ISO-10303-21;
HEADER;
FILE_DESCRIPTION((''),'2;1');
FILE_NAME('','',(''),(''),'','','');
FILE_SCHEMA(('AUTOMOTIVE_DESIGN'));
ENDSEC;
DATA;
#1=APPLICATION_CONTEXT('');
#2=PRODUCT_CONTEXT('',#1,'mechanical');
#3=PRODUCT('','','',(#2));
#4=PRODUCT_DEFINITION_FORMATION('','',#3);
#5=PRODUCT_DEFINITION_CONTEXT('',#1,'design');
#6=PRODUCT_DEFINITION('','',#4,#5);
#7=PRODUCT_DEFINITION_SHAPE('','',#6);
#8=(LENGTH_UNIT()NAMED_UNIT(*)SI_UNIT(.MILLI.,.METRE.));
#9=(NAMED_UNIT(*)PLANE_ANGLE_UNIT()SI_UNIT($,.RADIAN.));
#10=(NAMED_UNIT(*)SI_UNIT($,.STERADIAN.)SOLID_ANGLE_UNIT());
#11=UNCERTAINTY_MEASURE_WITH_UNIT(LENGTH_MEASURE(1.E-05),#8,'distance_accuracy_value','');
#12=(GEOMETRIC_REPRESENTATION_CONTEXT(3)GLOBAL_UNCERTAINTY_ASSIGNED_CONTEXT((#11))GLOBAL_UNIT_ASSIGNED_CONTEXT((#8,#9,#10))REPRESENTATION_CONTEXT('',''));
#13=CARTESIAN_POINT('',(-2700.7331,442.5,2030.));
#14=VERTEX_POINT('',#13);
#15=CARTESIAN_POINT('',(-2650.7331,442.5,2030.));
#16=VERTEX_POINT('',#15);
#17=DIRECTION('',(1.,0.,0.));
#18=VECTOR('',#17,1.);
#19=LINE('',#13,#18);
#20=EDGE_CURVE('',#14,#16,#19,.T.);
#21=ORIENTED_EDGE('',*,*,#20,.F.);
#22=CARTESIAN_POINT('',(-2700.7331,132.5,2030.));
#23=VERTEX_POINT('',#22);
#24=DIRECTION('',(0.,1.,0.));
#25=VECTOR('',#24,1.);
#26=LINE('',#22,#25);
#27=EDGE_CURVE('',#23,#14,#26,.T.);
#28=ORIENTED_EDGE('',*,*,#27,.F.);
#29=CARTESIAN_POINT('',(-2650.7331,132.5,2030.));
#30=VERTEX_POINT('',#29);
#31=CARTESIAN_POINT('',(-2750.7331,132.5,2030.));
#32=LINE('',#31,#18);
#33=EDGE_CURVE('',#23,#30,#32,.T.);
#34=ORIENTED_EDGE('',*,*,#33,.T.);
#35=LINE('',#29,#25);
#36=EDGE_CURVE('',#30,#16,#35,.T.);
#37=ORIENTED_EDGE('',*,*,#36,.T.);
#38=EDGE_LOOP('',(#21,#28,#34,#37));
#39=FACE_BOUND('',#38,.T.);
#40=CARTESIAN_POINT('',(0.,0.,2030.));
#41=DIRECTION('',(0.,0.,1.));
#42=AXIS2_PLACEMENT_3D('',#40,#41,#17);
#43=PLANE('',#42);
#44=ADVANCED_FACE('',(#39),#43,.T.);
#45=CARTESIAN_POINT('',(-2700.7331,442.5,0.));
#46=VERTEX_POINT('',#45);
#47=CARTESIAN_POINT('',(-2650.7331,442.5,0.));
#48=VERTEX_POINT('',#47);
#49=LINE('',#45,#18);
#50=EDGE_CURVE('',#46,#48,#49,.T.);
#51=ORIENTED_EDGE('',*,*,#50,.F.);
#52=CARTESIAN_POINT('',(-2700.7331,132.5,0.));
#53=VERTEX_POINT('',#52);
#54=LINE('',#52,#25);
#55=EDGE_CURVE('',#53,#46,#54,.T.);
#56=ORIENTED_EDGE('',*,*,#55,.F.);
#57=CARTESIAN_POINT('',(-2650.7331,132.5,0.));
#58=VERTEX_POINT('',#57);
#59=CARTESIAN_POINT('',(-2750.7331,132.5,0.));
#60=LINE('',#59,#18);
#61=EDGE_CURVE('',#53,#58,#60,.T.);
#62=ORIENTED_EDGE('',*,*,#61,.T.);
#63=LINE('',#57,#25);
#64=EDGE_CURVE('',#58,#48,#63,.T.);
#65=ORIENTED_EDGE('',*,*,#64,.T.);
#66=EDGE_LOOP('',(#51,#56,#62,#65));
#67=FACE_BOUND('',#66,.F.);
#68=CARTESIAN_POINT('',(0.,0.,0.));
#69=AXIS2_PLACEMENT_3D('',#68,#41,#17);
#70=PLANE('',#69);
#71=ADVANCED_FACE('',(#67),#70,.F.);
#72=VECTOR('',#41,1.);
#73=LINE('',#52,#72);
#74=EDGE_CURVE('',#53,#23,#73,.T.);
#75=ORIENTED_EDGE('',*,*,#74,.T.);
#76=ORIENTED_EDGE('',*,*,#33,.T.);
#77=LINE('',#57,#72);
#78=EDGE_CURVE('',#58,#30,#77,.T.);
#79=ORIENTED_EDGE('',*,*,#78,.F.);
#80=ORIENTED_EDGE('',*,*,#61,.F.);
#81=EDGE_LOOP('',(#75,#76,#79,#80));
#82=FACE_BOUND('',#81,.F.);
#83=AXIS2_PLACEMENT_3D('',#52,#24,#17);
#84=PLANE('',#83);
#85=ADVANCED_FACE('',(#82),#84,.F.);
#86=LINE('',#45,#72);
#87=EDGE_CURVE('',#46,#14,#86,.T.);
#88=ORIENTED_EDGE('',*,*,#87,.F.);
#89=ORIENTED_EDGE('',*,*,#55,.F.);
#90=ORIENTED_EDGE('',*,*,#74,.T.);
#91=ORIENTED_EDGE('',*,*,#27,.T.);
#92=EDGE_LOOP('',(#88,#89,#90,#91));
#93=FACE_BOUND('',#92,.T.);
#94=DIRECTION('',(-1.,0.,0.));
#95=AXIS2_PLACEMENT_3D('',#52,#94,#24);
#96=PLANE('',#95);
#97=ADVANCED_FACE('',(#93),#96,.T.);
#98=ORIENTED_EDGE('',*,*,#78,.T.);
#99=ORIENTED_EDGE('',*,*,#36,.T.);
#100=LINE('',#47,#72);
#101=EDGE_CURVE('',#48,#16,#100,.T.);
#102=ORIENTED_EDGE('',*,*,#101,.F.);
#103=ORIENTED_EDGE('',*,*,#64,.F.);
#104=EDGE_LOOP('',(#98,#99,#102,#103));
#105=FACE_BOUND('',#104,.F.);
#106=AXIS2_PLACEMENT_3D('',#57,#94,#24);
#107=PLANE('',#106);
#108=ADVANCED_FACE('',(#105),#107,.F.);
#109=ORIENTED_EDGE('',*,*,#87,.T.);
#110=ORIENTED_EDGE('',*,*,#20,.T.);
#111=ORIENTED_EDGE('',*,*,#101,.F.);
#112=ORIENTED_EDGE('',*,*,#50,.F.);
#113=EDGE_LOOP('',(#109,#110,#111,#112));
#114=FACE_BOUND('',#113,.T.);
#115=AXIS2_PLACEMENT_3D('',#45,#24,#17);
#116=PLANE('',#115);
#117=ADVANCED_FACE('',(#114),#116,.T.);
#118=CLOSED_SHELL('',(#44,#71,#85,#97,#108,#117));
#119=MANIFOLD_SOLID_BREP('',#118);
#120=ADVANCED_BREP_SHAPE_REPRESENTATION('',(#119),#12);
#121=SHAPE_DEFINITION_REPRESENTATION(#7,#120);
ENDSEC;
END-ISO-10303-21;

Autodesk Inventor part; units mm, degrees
ref_plane "YZ Plane" through (0, 0, 0) normal (1, 0, 0) x (0, 1, 0)
ref_plane "XZ Plane" through (0, 0, 0) normal (0, 1, 0) x (-1, 0, 0)
ref_plane "Plano de trabajo1" through (0, 0, 0) normal (0, 0, 1) x (1, 0, 0)
sketch "Boceto1" plane through (0, 0, 0) normal (0, 0, 1) x (1, 0, 0)
  line L0 (-2650.7331, 1162.5) -> (-2750.7331, 1162.5) projected
  line L1 (-2650.7331, 132.5) -> (-2650.7331, 1162.5) projected
  line L2 (-2750.7331, 132.5) -> (-2650.7331, 132.5) projected
  line L3 (-2750.7331, 132.5) -> (-2750.7331, 1162.5) projected
  line L4 (-2650.7331, 132.5) -> (-2700.7331, 132.5)
  line L5 (-2700.7331, 132.5) -> (-2700.7331, 442.5)
  line L6 (-2700.7331, 442.5) -> (-2650.7331, 442.5)
  line L7 (-2650.7331, 442.5) -> (-2650.7331, 132.5)
  point P0 (0, 0)
  dimension "d0" = 310
ref_plane "Plano de trabajo2" through (-2750.7331, 132.5, 2030) normal (0, 0, -1) x (0, 1, 0)
extrude "Extrusión1" add sketch "Boceto1" along normal up to surface (2030 mm away) contours L1 L2 L5 L6
properties part number "PuertaPequeña"
